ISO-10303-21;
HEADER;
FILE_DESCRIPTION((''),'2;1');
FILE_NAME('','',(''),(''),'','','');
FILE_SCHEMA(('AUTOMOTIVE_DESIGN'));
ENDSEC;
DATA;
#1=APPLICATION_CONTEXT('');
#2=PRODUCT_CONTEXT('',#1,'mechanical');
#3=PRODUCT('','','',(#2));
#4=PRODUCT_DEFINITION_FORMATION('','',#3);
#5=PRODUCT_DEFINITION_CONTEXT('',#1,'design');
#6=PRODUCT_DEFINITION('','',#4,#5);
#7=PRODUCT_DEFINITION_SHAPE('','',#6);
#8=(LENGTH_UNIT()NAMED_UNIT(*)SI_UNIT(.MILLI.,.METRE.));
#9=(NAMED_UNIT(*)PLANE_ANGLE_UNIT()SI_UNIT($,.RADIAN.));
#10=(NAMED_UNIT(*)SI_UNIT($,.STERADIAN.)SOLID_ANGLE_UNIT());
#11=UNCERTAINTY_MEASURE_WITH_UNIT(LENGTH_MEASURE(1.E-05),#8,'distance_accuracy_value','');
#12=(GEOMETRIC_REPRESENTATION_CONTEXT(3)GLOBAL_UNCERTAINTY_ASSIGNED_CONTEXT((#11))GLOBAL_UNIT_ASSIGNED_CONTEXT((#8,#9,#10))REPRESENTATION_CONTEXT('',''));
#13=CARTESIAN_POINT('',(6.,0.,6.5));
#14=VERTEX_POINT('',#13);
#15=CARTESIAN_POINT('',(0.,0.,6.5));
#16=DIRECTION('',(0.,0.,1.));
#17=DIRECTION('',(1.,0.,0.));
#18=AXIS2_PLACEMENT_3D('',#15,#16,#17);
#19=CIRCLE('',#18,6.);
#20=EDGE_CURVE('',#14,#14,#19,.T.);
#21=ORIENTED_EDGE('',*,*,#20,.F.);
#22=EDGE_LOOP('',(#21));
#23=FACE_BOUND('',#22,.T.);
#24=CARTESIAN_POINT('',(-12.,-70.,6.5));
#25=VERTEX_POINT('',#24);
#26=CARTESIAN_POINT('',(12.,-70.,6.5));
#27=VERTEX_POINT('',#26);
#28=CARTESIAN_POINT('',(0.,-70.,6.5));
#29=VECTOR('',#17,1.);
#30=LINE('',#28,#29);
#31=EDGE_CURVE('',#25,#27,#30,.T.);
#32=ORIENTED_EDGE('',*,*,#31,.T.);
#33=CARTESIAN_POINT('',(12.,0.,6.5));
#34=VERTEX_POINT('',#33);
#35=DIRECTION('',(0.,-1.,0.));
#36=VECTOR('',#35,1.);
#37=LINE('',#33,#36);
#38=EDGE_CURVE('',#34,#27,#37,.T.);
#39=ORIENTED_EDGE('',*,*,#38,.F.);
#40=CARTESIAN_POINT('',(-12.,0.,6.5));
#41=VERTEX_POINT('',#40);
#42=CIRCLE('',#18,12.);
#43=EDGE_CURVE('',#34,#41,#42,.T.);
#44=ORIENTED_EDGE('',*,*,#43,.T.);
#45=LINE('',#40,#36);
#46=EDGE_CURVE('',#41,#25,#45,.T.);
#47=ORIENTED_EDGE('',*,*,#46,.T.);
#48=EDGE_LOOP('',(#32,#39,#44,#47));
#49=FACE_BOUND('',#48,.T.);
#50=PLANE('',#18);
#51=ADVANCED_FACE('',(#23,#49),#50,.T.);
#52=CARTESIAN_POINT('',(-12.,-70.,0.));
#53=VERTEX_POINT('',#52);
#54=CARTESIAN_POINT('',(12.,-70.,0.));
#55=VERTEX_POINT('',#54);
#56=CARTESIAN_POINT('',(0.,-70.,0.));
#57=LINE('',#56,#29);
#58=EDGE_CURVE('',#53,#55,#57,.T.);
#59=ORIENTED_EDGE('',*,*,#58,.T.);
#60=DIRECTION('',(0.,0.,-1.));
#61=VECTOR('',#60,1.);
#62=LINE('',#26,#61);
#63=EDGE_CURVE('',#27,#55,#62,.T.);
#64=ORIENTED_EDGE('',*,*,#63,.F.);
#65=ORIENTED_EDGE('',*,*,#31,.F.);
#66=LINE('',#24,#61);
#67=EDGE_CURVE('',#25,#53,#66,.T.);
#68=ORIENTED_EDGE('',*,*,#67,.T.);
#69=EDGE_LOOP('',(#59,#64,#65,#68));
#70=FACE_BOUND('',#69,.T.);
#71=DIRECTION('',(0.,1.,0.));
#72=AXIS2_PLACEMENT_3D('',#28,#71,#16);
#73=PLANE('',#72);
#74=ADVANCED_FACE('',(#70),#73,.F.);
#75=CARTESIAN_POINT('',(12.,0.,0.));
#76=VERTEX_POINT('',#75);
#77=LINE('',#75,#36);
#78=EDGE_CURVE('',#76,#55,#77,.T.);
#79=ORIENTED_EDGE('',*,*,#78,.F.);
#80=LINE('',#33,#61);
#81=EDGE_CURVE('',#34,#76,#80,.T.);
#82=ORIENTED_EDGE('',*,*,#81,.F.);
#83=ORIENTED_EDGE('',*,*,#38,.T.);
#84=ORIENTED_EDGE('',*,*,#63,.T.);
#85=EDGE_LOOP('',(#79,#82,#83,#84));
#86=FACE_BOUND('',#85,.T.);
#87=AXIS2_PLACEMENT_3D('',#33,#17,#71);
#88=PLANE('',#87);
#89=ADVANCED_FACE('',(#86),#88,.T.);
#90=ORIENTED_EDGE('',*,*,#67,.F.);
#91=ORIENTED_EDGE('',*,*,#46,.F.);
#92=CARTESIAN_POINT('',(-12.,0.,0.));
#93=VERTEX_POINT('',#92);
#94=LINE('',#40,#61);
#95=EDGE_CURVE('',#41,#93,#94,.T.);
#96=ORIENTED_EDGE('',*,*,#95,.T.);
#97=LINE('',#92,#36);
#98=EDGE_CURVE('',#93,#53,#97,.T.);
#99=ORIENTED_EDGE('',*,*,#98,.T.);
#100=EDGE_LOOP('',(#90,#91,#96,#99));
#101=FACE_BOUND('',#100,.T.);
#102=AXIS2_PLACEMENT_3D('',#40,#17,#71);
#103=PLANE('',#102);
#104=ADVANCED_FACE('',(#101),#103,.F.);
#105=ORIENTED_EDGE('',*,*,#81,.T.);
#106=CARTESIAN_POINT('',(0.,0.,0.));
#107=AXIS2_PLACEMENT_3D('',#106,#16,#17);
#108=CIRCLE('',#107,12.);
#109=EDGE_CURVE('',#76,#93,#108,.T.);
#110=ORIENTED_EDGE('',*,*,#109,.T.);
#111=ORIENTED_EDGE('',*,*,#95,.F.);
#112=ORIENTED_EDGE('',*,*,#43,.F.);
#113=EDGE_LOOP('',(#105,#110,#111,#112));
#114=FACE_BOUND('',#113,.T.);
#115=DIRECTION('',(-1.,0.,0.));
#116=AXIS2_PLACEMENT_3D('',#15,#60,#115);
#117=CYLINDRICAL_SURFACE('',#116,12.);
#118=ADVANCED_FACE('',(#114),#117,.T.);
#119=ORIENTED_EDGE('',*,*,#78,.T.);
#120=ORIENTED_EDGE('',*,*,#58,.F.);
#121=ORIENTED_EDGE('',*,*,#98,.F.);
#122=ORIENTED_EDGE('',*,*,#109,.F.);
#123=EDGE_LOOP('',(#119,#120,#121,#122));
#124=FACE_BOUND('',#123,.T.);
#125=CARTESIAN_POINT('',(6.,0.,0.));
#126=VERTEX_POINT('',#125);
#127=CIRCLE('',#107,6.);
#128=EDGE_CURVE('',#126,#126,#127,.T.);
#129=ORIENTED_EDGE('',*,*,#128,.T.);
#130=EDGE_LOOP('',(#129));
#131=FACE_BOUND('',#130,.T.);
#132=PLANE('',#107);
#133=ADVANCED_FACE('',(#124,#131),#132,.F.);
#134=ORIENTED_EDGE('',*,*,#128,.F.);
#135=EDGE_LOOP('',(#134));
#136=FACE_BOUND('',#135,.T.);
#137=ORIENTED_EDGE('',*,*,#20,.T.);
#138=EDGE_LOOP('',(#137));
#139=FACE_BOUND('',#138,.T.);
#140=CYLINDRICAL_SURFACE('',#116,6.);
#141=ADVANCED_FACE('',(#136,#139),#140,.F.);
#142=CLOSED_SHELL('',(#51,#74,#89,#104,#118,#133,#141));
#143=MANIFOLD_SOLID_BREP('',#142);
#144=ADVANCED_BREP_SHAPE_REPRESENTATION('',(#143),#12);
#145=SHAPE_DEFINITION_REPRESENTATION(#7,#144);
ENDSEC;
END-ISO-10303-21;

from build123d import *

# Parameters (mm, degrees)
SZKIC1_R                    = 6
DODANIE_WYCI_GNI_CIE1_DEPTH = 6.5


with BuildPart() as part:
    # Szkic1 → Dodanie-wyciągnięcie1 (new body)
    with BuildSketch(Plane.XY):
        with BuildLine():
            Line((12, 0), (12, -70))
            Line((12, -70), (-12, -70))
            Line((-12, -70), (-12, 0))
            ThreePointArc((-12, 0), (0, 12), (12, 0))
        make_face()
        Circle(SZKIC1_R, mode=Mode.SUBTRACT)
    extrude(amount=DODANIE_WYCI_GNI_CIE1_DEPTH)


solid = part.part
